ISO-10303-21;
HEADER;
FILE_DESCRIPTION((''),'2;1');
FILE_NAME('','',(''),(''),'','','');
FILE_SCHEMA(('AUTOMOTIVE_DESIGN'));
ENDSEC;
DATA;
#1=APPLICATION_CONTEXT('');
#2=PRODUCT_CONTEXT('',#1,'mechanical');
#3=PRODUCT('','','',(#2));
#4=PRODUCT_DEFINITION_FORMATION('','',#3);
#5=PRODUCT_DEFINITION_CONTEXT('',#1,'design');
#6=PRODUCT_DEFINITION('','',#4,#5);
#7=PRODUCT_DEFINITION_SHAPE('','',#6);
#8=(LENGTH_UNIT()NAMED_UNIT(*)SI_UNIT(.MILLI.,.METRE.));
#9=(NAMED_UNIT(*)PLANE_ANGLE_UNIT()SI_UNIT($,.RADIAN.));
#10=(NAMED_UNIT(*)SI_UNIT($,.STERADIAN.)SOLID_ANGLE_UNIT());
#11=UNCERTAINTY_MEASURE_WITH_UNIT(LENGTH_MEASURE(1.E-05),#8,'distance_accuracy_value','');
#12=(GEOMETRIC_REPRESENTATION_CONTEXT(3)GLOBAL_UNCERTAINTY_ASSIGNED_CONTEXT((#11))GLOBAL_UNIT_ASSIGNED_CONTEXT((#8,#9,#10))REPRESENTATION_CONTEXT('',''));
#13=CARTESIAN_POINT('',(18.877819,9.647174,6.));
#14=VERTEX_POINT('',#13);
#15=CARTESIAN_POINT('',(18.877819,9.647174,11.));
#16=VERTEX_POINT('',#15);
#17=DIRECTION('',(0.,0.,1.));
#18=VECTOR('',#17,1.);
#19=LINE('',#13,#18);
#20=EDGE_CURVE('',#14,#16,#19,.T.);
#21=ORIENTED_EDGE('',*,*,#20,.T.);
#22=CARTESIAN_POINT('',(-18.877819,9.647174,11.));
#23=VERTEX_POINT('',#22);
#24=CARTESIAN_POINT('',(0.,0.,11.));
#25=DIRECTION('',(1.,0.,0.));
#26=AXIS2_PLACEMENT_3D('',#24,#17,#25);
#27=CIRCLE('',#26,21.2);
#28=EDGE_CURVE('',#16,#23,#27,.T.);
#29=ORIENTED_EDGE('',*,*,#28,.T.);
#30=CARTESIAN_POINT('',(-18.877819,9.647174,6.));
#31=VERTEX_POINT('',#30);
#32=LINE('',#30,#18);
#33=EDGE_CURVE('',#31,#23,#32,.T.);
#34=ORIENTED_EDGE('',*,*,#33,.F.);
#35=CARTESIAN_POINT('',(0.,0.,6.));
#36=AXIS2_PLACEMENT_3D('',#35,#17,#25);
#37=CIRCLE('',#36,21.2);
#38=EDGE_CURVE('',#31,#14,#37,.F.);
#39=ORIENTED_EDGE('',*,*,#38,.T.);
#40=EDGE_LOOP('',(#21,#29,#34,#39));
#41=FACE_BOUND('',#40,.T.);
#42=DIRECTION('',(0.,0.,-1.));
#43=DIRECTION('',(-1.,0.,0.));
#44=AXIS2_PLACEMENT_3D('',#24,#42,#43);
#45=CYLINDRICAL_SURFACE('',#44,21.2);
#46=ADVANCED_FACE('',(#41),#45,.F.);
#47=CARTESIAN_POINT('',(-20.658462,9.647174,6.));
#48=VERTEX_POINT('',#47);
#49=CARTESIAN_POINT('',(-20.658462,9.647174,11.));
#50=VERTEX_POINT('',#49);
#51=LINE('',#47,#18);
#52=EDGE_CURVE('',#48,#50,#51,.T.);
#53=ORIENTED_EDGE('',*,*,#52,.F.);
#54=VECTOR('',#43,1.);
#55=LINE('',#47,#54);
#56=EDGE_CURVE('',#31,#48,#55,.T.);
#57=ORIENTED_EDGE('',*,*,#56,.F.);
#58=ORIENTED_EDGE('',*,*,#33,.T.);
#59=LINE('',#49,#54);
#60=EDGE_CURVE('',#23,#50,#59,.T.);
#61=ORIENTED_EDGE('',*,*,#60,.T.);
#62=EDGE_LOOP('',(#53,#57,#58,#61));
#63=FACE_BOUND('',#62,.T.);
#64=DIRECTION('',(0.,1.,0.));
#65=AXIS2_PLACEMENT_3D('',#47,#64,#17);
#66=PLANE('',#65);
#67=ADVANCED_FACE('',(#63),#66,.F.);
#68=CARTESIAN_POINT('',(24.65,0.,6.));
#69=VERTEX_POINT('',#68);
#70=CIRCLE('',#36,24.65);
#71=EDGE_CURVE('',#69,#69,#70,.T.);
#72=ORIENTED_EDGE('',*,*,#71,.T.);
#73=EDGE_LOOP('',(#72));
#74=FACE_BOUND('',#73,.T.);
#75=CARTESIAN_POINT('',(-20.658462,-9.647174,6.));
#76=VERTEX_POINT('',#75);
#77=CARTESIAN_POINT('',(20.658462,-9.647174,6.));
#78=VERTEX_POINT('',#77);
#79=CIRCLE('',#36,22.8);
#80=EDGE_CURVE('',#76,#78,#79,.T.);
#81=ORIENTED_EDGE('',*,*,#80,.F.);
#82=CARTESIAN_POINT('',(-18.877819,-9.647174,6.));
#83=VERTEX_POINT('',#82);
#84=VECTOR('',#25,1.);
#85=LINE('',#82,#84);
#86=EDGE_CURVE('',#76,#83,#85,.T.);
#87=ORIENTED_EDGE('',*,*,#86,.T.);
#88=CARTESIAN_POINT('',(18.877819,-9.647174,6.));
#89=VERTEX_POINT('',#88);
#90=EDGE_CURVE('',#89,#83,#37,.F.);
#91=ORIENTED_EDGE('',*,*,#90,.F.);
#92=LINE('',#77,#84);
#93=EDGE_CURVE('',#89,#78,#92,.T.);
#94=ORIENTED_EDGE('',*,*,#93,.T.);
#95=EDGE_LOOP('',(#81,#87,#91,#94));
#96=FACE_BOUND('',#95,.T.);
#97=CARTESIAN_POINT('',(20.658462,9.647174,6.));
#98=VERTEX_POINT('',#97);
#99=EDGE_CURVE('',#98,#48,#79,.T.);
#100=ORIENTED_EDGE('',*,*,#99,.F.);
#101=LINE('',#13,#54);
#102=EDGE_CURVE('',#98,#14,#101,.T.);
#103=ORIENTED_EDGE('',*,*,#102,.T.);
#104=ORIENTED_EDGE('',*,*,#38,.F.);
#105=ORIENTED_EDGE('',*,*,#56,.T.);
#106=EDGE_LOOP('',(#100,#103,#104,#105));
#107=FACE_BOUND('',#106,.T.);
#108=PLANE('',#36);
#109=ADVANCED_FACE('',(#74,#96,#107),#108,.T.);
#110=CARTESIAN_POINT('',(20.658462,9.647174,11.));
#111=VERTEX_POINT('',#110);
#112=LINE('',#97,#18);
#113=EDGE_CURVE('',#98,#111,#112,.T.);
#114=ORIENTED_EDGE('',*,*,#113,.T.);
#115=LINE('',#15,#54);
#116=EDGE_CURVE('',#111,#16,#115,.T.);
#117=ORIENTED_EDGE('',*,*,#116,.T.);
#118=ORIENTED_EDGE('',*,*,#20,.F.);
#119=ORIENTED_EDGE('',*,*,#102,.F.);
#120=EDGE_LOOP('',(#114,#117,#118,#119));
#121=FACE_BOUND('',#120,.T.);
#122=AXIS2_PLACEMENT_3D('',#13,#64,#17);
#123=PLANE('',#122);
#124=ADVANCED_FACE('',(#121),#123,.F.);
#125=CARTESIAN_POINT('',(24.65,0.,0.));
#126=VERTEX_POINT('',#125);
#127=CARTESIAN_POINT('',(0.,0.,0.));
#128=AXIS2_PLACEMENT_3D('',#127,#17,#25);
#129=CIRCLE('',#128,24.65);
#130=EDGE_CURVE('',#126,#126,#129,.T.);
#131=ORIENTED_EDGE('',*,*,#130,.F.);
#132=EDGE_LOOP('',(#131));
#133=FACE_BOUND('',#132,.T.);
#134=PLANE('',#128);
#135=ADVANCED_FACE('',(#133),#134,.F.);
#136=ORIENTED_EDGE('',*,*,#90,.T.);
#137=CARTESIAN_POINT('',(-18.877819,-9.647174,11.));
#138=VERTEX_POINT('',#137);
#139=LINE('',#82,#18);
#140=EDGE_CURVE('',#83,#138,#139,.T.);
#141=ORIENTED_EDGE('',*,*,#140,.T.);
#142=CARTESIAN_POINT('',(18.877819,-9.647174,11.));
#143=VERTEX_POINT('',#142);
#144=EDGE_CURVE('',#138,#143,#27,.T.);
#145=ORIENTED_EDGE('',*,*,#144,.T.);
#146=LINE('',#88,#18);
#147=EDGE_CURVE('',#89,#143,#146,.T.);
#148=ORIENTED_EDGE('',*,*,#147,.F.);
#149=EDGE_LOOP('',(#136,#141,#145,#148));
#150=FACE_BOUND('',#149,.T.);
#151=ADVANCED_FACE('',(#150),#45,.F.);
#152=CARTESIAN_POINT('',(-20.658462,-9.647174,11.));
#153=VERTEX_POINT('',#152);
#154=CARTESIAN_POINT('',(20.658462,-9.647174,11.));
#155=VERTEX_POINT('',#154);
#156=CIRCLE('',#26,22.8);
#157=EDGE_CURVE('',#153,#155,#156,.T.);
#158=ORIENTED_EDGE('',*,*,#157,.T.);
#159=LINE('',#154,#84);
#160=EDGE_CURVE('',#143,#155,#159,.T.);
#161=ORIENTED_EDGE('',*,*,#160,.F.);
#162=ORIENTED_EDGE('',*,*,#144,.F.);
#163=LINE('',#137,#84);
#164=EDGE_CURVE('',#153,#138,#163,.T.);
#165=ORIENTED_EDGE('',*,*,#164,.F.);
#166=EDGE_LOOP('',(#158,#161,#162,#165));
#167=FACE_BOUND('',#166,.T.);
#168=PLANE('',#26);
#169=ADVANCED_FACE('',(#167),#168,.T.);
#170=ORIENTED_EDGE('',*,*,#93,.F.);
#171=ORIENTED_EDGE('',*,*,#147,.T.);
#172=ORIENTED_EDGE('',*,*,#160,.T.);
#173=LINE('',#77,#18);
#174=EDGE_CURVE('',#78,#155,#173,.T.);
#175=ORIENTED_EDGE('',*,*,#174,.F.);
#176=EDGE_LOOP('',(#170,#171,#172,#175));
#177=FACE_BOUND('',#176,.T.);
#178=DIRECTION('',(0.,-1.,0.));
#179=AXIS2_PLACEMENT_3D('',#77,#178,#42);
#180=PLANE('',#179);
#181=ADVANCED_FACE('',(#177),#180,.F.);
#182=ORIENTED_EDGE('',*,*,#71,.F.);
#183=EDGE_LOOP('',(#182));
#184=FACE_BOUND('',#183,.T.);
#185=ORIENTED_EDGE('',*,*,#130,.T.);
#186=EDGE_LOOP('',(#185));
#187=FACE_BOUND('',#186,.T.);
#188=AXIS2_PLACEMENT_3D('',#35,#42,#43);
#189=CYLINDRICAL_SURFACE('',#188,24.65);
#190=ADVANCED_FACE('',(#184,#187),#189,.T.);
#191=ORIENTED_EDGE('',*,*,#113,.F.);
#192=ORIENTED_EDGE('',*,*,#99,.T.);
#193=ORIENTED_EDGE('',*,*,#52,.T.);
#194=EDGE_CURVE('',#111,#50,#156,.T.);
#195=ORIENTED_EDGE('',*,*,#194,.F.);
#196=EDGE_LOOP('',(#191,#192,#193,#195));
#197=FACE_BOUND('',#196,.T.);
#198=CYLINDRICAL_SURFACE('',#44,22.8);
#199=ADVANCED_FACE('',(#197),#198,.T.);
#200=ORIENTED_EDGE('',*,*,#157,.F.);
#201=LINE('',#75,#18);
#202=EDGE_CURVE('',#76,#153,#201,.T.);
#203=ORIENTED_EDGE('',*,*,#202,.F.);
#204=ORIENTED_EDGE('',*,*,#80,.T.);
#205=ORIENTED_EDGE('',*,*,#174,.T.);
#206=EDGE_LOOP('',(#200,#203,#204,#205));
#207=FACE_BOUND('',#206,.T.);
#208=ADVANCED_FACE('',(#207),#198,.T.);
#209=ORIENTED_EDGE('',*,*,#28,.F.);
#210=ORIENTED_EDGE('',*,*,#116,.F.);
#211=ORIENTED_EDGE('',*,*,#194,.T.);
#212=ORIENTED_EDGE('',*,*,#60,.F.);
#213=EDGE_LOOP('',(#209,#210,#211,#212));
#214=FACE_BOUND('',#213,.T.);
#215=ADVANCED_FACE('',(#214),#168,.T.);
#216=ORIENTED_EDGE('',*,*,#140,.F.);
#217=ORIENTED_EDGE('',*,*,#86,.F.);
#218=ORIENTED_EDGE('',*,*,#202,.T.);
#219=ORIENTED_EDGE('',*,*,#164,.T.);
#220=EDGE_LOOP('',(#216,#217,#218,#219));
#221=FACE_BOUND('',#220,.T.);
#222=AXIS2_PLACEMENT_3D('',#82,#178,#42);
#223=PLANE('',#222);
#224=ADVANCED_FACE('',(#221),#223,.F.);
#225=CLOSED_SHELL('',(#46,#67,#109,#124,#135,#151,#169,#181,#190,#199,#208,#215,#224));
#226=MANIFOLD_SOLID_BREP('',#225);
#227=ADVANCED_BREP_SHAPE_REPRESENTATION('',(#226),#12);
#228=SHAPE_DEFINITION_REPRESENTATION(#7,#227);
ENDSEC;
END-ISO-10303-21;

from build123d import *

# Parameters (mm, degrees)
SKETCH1_R           = 24.65
BOSS_EXTRUDE1_DEPTH = 6
SKETCH2_R           = 22.8
SKETCH2_R_2         = 21.2
BOSS_EXTRUDE2_DEPTH = 5
CUT_EXTRUDE1_START  = -5
CUT_EXTRUDE1_DEPTH  = 5


with BuildPart() as part:
    # Sketch1 → Boss-Extrude1 (new body)
    with BuildSketch(Plane.XY):
        Circle(SKETCH1_R)
    extrude(amount=BOSS_EXTRUDE1_DEPTH)

    # Sketch2 → Boss-Extrude2 (add)
    with BuildSketch(Plane.XY.offset(6)):
        Circle(SKETCH2_R)
        Circle(SKETCH2_R_2, mode=Mode.SUBTRACT)
    extrude(amount=BOSS_EXTRUDE2_DEPTH)

    # Sketch3 → Cut-Extrude1 (cut)
    with BuildSketch(Plane.XY.offset(11).offset(CUT_EXTRUDE1_START)):
        with BuildLine():
            Line((-20.658461767, 9.647173545), (-18.877818798, 9.647173545))
            ThreePointArc((-18.877818798, 9.647173545), (-21.2, 0), (-18.877818798, -9.647173545))
            Line((-18.877818798, -9.647173545), (-20.658461767, -9.647173545))
            ThreePointArc((-20.658461767, -9.647173545), (-22.8, 0), (-20.658461767, 9.647173545))
        make_face()
        with BuildLine():
            Line((20.658461767, -9.647173545), (18.877818798, -9.647173545))
            ThreePointArc((18.877818798, -9.647173545), (21.2, 0), (18.877818798, 9.647173545))
            Line((18.877818798, 9.647173545), (20.658461767, 9.647173545))
            ThreePointArc((20.658461767, 9.647173545), (22.8, 0), (20.658461767, -9.647173545))
        make_face()
    extrude(amount=CUT_EXTRUDE1_DEPTH, mode=Mode.SUBTRACT)


solid = part.part
